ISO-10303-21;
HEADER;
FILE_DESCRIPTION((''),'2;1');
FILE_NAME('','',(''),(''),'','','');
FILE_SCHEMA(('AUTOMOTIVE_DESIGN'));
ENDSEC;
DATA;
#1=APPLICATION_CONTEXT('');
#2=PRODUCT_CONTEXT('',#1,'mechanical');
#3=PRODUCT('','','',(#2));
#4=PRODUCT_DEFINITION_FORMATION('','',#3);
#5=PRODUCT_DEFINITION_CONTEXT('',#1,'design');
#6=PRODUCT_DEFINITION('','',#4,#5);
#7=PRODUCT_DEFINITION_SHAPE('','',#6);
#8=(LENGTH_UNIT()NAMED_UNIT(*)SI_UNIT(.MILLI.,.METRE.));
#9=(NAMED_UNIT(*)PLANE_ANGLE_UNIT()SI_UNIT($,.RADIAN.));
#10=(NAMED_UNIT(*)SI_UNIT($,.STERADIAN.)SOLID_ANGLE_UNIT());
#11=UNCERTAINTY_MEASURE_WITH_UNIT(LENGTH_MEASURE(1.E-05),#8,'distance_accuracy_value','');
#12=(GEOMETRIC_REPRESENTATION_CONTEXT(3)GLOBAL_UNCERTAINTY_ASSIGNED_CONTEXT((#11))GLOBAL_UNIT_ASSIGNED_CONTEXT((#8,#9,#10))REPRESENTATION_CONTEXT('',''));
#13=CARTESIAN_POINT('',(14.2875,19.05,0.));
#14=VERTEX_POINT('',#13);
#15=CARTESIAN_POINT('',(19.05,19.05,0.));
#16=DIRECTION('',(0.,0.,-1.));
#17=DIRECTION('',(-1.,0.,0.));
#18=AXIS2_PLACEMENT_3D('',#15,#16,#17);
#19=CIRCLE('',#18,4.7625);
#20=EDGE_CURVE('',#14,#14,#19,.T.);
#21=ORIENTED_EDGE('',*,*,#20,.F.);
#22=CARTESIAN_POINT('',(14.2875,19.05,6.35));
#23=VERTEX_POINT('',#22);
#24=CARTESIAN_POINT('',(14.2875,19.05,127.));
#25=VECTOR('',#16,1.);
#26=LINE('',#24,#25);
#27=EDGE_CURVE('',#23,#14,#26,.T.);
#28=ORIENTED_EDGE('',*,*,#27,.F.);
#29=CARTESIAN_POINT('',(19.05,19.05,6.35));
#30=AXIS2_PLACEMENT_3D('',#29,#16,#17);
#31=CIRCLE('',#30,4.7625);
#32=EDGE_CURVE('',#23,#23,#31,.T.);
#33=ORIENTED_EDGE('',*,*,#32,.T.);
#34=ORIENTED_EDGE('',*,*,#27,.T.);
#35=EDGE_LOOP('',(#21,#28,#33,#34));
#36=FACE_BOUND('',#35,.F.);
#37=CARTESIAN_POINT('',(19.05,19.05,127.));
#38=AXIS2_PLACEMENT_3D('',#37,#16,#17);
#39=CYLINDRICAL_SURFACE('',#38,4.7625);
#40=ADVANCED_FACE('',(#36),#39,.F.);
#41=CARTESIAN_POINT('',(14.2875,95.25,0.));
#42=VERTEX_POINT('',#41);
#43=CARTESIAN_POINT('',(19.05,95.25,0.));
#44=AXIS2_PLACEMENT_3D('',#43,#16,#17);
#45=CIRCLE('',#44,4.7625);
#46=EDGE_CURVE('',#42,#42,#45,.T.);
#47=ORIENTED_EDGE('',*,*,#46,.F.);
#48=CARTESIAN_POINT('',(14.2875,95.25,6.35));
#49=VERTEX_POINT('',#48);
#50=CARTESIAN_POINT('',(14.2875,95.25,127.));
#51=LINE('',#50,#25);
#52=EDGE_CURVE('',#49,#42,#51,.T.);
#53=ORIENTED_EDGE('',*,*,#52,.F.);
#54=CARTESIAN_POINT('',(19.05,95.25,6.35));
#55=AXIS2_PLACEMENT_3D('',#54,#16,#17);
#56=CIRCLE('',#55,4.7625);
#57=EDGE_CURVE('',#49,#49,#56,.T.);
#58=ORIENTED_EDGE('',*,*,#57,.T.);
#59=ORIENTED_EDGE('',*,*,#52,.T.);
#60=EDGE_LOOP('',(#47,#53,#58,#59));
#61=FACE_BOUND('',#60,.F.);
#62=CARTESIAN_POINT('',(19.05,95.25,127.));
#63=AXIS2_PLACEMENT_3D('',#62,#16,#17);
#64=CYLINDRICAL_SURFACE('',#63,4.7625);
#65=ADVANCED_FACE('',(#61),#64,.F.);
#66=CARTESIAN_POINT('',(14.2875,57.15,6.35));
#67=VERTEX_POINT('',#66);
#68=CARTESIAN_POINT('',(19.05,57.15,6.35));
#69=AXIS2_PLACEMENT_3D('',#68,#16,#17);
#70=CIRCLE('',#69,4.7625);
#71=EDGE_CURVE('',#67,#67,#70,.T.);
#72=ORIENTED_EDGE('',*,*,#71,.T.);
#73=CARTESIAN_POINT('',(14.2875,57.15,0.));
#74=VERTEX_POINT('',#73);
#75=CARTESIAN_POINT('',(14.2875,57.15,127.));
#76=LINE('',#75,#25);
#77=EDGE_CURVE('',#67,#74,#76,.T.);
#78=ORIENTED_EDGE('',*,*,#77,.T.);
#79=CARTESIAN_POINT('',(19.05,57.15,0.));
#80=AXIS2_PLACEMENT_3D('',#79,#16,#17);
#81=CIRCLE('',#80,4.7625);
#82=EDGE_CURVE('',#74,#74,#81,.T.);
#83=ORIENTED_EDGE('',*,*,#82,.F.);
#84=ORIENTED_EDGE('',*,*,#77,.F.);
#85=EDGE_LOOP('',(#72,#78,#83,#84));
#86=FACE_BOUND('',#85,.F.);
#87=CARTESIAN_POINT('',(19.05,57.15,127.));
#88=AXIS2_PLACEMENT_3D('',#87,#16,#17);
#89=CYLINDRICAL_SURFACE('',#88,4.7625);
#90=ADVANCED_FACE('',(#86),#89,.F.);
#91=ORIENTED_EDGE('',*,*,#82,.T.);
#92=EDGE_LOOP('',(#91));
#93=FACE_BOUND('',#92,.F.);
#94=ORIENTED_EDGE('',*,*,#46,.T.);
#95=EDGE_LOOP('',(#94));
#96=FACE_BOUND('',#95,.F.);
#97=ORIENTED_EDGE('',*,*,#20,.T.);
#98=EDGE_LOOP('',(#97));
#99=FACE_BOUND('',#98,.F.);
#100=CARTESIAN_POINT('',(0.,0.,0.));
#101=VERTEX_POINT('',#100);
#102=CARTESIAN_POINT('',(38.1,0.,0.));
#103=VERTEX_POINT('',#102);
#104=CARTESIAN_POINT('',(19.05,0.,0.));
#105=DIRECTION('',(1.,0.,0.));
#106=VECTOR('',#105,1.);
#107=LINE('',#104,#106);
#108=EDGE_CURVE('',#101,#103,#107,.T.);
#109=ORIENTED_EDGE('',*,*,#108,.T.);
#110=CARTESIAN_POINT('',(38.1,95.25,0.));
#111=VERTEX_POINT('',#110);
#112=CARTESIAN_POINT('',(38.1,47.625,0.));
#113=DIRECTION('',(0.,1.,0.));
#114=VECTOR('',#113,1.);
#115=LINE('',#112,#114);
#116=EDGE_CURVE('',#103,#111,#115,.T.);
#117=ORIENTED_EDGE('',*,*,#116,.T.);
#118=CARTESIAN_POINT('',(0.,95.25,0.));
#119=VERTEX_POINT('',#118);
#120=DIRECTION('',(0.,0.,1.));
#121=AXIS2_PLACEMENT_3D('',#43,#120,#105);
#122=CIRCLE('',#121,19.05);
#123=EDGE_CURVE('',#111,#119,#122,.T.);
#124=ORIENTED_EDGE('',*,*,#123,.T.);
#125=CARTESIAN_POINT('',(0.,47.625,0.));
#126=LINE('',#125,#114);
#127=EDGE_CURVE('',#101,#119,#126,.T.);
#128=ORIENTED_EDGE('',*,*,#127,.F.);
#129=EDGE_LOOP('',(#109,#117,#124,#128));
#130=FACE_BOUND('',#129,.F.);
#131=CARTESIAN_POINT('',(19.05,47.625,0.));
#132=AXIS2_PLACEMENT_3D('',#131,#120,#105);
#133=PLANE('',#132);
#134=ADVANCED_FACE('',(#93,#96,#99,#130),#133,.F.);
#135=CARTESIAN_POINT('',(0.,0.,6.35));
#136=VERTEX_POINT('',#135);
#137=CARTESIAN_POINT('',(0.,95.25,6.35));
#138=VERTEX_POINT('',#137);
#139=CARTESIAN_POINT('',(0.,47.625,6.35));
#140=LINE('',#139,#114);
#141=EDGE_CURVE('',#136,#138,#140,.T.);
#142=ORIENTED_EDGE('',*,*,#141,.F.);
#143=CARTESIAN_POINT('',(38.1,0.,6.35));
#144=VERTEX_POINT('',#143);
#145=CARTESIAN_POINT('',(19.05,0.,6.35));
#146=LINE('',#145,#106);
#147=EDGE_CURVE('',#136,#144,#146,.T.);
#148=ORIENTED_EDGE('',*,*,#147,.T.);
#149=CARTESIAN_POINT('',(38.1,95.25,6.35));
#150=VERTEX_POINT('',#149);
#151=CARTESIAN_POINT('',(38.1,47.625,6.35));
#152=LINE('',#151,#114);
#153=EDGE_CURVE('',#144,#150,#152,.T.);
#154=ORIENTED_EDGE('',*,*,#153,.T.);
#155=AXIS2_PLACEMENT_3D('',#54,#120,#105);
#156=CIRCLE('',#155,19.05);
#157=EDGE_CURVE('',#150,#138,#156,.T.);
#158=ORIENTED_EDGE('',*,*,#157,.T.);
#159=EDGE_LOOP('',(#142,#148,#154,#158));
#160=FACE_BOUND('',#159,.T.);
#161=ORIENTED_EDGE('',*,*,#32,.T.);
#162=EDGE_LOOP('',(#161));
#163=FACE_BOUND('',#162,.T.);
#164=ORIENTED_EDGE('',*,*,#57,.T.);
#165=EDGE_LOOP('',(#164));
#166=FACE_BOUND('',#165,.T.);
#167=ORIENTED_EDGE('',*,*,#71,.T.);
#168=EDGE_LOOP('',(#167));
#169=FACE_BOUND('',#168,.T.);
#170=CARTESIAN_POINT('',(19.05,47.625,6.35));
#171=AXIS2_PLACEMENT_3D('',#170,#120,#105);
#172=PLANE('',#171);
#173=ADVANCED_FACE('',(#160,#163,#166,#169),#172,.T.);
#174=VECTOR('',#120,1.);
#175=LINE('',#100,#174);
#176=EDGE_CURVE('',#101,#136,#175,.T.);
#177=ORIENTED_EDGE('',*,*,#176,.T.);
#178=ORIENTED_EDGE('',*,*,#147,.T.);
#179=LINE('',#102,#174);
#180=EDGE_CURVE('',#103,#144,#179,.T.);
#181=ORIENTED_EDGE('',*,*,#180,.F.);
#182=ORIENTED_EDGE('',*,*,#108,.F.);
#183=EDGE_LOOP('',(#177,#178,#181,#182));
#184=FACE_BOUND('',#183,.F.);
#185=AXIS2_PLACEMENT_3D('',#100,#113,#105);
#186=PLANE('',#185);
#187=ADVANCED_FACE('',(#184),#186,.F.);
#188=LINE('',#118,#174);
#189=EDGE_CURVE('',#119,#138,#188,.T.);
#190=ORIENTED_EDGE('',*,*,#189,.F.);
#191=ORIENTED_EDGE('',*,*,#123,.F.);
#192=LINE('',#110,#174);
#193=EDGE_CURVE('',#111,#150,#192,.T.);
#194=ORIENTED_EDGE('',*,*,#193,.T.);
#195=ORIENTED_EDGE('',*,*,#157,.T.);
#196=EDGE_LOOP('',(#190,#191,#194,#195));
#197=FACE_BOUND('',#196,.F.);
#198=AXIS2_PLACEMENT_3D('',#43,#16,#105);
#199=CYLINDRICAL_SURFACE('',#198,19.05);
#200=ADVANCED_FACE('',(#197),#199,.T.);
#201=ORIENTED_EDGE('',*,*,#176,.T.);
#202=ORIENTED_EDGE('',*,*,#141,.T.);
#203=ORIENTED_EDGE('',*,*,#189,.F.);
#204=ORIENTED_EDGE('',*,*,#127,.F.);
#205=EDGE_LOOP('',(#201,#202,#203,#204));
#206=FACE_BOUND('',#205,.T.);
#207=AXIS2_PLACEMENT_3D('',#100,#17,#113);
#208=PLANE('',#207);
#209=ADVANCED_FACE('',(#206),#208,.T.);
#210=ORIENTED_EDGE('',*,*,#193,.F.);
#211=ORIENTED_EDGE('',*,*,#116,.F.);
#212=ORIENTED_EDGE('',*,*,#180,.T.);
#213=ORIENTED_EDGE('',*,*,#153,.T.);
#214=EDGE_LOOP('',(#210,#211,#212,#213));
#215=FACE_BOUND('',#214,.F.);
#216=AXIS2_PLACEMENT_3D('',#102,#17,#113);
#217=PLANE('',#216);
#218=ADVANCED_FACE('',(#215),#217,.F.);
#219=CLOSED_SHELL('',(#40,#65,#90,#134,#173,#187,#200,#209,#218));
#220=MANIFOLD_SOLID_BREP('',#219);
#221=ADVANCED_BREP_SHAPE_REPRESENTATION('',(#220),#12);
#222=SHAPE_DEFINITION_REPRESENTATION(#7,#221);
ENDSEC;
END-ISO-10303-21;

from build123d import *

# Parameters (mm, degrees)
F0_W     = 38.1
F0_H     = 95.25
F1_DEPTH = 6.35
F3_D     = 9.525


with BuildPart() as f1:
    # F0 (on Top) → F1 (new body)
    with BuildSketch(Plane.XY):
        with Locations((19.05, 47.625)):
            Rectangle(F0_W, F0_H)
        with BuildLine():
            ThreePointArc((38.1, 95.25), (19.05, 114.3), (0, 95.25))
            Line((0, 95.25), (38.1, 95.25))
        make_face()
    extrude(amount=F1_DEPTH)

    # F3 (through all)
    with Locations(Plane.XY.offset(6.35)):
        with Locations((19.05, 95.25), (19.05, 57.15), (19.05, 19.05)):
            Hole(F3_D / 2)


solid = f1.part
